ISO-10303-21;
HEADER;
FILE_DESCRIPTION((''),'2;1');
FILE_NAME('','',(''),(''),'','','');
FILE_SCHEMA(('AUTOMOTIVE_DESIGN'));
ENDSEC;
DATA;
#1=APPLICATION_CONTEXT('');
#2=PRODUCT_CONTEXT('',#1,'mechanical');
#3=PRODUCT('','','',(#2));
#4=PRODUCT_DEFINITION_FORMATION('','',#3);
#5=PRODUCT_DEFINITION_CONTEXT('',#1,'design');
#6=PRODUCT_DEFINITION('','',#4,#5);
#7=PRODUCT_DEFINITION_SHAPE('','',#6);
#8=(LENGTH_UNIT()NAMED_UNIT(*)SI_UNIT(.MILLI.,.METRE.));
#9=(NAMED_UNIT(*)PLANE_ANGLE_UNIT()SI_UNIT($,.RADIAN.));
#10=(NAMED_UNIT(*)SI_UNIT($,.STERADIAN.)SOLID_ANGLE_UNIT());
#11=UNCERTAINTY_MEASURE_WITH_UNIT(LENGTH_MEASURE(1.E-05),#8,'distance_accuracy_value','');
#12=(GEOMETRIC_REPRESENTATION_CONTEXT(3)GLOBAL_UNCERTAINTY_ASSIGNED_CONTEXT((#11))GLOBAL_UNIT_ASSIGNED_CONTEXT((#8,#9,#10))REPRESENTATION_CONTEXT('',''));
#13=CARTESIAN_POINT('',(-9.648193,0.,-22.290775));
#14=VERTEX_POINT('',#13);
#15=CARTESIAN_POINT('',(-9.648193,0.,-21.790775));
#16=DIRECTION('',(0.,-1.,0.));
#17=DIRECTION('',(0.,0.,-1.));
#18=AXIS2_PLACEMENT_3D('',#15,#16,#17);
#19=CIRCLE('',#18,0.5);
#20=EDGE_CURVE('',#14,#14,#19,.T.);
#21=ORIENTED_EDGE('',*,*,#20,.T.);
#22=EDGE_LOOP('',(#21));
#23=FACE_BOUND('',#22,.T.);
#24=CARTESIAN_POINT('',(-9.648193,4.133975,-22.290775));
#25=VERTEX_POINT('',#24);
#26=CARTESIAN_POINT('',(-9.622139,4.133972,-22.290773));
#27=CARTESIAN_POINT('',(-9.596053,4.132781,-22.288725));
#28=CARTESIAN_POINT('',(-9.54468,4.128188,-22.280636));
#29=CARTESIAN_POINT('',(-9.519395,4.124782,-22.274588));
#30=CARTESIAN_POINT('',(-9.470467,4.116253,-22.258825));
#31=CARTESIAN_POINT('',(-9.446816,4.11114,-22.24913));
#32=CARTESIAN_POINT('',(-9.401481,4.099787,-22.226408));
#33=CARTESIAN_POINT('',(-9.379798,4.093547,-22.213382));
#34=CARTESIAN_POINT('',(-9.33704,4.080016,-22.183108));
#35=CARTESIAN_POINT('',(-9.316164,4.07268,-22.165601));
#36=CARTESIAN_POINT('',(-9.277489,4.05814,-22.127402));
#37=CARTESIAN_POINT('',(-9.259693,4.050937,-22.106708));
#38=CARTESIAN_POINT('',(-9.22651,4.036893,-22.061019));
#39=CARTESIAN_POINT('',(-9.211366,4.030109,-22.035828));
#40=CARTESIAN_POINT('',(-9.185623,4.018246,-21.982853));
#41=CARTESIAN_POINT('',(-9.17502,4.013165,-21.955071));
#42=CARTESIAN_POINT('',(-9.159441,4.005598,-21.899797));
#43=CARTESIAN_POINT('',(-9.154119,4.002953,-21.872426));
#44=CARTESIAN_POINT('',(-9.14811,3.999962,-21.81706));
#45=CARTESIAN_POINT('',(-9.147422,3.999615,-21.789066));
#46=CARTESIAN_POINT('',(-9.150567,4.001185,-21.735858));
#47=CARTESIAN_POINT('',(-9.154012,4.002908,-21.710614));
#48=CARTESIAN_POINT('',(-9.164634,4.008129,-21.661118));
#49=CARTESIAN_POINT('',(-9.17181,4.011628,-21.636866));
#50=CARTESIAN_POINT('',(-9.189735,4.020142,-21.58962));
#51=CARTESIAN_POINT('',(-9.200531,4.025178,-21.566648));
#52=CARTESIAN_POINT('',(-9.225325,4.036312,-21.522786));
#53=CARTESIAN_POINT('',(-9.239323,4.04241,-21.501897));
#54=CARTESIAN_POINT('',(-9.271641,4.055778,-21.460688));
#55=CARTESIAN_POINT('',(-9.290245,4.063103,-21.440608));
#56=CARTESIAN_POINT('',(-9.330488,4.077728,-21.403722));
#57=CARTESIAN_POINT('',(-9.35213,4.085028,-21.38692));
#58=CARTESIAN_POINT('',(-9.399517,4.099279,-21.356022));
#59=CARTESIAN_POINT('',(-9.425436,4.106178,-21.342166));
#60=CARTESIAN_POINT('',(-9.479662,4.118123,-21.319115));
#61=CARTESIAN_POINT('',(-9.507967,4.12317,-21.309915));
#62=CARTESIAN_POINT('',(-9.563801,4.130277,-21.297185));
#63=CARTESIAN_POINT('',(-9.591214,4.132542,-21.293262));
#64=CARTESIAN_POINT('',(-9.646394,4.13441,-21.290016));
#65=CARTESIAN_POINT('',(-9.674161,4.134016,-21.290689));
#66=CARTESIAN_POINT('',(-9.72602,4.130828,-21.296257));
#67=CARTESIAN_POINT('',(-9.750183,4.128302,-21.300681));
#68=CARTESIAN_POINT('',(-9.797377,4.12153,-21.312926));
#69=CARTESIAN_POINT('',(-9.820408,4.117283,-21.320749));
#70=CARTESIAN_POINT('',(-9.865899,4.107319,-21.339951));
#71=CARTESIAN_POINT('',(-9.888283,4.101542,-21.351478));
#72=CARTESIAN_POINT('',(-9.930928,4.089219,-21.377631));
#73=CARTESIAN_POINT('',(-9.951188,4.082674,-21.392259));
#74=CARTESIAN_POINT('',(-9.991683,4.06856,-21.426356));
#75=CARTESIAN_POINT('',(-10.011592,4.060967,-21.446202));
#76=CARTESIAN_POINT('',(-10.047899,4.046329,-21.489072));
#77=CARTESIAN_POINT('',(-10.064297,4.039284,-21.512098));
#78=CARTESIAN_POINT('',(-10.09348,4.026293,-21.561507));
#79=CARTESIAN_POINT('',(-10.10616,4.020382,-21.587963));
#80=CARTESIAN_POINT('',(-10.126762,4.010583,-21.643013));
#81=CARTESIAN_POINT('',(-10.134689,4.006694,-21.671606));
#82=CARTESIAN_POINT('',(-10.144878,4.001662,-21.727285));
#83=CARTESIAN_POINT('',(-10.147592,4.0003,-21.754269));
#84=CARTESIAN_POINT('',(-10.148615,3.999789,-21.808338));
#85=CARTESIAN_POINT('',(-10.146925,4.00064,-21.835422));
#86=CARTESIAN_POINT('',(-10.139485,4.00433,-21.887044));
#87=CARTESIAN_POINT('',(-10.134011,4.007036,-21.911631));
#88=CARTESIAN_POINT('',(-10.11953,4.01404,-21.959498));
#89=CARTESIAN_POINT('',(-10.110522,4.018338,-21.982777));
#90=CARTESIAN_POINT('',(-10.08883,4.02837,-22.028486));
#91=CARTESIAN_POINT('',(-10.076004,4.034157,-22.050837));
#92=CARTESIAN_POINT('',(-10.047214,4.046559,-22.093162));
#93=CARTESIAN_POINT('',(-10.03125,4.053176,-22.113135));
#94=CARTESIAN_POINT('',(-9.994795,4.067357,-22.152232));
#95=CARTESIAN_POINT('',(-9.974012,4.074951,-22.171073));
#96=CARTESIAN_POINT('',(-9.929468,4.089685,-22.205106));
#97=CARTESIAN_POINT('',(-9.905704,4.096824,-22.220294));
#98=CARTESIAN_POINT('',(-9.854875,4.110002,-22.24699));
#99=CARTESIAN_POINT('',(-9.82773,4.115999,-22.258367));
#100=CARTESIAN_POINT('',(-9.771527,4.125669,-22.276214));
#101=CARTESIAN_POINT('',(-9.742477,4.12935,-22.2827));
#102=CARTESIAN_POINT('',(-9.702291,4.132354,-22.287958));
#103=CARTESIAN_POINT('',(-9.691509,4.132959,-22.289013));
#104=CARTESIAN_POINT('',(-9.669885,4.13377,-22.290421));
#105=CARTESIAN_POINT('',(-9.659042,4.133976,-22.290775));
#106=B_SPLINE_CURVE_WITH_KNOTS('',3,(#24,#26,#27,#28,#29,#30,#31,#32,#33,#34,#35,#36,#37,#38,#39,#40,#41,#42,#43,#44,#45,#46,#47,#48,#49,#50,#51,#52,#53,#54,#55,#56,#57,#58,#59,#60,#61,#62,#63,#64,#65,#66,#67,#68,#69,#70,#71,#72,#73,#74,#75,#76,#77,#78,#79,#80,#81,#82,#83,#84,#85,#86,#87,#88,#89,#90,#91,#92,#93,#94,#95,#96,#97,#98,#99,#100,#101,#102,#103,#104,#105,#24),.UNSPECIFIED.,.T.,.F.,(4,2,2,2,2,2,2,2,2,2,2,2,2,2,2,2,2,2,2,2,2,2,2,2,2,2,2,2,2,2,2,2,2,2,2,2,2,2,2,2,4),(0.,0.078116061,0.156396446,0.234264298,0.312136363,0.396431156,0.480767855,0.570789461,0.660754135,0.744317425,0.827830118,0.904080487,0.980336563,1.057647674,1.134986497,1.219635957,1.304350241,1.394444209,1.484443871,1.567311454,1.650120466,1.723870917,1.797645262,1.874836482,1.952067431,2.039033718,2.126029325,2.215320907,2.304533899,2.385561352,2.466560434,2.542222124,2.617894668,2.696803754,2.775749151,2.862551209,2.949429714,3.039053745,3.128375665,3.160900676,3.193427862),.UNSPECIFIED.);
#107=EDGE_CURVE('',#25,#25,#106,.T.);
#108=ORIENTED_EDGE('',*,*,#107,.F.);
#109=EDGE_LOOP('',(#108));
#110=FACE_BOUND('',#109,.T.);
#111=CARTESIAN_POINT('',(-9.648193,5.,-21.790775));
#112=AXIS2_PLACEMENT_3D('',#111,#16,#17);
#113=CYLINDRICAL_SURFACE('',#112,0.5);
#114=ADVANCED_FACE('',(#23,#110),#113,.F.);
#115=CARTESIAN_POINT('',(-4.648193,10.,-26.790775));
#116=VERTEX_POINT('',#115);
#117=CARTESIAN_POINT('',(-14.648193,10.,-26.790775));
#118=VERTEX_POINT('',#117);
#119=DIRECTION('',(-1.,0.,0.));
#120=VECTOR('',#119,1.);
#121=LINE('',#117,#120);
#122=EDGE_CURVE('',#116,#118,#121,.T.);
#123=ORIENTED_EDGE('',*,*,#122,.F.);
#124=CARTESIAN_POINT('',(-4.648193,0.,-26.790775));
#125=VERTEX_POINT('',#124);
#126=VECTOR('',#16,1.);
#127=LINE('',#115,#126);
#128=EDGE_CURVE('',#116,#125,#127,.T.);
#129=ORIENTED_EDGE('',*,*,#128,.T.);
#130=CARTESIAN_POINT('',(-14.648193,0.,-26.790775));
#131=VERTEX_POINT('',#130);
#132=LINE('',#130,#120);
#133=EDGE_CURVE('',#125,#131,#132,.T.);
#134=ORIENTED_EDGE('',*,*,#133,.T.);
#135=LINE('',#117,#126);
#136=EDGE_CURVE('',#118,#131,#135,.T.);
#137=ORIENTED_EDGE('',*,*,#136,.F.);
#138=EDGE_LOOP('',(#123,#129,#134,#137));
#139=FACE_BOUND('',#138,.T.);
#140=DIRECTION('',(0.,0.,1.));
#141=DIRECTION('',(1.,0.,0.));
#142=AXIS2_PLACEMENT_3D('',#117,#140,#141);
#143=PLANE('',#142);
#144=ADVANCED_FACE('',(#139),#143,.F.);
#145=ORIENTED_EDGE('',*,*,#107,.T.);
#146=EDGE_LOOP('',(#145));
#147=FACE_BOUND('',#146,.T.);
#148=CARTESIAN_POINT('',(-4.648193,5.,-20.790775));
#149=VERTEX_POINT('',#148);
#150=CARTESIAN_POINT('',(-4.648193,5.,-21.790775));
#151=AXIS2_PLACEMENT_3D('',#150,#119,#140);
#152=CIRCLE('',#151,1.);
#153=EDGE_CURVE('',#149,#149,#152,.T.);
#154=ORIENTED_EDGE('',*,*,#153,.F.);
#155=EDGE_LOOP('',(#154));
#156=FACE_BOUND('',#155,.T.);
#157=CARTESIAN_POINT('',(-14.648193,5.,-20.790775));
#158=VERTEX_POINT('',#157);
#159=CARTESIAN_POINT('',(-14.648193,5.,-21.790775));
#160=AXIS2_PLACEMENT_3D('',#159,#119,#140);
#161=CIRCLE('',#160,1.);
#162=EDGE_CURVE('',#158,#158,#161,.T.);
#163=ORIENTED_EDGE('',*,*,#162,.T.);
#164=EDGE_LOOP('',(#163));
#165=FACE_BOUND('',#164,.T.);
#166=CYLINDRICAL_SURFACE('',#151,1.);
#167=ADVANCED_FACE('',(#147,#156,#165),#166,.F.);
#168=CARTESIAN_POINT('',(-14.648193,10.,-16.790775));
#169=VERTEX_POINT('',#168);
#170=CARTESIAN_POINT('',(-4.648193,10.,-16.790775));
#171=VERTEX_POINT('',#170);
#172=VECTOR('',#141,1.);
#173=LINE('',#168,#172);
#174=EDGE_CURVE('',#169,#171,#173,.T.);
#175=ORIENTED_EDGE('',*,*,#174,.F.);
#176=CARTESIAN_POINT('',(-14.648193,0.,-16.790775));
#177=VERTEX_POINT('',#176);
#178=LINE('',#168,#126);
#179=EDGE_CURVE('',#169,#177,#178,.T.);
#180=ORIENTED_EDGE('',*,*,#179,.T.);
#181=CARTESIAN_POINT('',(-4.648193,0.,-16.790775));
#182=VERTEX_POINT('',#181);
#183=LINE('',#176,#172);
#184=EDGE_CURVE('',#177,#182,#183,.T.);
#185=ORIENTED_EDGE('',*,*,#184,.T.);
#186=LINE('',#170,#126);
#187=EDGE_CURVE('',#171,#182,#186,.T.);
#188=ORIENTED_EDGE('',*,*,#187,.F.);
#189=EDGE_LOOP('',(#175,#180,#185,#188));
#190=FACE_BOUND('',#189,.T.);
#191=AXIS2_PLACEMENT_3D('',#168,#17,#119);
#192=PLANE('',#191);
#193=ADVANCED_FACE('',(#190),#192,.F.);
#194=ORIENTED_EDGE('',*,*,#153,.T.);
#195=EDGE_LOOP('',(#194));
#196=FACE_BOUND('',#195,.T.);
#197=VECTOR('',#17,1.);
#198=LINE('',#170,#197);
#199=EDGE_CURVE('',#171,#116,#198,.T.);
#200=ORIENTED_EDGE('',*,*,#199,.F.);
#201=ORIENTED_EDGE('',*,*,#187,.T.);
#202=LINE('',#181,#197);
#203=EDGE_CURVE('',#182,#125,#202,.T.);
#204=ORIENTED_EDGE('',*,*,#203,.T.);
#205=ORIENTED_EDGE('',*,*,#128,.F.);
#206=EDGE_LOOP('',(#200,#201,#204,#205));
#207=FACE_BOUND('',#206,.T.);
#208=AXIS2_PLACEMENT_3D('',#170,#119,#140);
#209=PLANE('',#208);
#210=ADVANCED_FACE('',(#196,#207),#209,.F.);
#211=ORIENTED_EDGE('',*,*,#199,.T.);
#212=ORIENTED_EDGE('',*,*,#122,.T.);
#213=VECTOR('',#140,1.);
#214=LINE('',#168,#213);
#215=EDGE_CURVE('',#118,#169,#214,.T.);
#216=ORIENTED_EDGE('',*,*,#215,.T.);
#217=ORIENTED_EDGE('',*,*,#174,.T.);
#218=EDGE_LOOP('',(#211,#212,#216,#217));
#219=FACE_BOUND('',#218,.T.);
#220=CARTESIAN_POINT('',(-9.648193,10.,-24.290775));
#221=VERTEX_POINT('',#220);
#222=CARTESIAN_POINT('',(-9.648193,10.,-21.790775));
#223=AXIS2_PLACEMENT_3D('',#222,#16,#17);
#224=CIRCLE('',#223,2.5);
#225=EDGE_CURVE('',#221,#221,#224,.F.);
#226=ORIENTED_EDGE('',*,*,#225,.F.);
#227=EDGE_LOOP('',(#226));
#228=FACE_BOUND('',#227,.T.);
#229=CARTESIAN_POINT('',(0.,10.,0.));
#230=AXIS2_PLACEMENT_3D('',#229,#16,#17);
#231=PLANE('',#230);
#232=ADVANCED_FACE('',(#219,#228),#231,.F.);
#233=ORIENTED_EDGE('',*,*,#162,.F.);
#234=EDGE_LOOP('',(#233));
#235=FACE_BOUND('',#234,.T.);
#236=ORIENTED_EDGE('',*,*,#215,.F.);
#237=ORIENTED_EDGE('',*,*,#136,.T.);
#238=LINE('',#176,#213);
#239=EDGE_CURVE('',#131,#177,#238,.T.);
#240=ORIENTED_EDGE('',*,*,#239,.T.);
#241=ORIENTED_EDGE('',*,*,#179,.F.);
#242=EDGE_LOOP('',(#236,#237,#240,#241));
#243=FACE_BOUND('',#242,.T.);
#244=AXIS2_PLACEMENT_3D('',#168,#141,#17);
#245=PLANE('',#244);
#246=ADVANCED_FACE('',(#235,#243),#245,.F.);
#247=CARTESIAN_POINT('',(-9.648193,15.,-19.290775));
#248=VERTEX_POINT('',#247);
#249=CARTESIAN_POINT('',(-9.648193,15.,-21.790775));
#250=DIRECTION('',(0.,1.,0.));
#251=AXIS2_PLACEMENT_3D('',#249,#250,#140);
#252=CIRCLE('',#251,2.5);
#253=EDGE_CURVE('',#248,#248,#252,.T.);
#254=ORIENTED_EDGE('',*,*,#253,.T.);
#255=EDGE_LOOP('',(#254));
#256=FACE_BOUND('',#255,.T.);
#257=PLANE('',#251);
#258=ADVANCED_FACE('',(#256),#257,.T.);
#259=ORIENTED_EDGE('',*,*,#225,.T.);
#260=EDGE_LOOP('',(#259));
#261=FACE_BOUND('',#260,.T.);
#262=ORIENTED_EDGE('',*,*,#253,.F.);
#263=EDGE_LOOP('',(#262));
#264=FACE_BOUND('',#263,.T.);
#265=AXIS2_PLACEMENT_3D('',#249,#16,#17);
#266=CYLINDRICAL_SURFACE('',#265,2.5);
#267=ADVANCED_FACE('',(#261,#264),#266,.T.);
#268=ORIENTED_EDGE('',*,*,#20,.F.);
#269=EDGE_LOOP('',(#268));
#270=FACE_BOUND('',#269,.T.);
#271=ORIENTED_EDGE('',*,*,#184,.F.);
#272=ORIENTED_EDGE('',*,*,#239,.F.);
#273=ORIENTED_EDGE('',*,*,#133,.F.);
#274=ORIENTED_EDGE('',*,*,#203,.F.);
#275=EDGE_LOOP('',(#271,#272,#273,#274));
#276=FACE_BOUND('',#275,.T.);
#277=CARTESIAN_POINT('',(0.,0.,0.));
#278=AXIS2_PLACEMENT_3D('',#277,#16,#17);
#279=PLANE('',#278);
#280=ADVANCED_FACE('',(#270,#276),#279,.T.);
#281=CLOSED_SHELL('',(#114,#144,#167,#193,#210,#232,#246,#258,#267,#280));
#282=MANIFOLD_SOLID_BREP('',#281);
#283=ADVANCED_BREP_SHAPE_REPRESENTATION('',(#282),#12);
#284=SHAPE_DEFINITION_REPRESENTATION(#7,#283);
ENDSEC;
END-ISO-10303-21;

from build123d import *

# Parameters (mm, degrees)
SKETCH1_W           = 10
SKETCH1_H           = 10
BOSS_EXTRUDE1_DEPTH = 10
SKETCH2_R           = 2.5
BOSS_EXTRUDE2_DEPTH = 5
SKETCH3_R           = 1
CUT_EXTRUDE1_DEPTH  = 10
SKETCH4_R           = 0.5
CUT_EXTRUDE2_DEPTH  = 5


with BuildPart() as part:
    # Sketch1 → Boss-Extrude1 (new body)
    with BuildSketch(Plane(origin=(0, 0, 0), x_dir=(1, 0, 0), z_dir=(0, 1, 0))):
        with Locations((-9.64819331, 21.790774606)):
            Rectangle(SKETCH1_W, SKETCH1_H)
    extrude(amount=BOSS_EXTRUDE1_DEPTH)

    # Sketch2 → Boss-Extrude2 (add)
    with BuildSketch(Plane(origin=(0, 10, 0), x_dir=(1, 0, 0), z_dir=(0, 1, 0))):
        with Locations((-9.64819331, 21.790774606)):
            Circle(SKETCH2_R)
    extrude(amount=BOSS_EXTRUDE2_DEPTH)

    # Sketch3 → Cut-Extrude1 (cut)
    with BuildSketch(Plane.ZY.offset(14.64819331)):
        with Locations((-21.790774606, 5)):
            Circle(SKETCH3_R)
    extrude(amount=-CUT_EXTRUDE1_DEPTH, mode=Mode.SUBTRACT)

    # Sketch4 → Cut-Extrude2 (cut)
    with BuildSketch(Plane(origin=(0, 0, 0), x_dir=(-1, 0, 0), z_dir=(0, -1, 0))):
        with Locations((9.64819331, 21.790774606)):
            Circle(SKETCH4_R)
    extrude(amount=-CUT_EXTRUDE2_DEPTH, mode=Mode.SUBTRACT)


solid = part.part
